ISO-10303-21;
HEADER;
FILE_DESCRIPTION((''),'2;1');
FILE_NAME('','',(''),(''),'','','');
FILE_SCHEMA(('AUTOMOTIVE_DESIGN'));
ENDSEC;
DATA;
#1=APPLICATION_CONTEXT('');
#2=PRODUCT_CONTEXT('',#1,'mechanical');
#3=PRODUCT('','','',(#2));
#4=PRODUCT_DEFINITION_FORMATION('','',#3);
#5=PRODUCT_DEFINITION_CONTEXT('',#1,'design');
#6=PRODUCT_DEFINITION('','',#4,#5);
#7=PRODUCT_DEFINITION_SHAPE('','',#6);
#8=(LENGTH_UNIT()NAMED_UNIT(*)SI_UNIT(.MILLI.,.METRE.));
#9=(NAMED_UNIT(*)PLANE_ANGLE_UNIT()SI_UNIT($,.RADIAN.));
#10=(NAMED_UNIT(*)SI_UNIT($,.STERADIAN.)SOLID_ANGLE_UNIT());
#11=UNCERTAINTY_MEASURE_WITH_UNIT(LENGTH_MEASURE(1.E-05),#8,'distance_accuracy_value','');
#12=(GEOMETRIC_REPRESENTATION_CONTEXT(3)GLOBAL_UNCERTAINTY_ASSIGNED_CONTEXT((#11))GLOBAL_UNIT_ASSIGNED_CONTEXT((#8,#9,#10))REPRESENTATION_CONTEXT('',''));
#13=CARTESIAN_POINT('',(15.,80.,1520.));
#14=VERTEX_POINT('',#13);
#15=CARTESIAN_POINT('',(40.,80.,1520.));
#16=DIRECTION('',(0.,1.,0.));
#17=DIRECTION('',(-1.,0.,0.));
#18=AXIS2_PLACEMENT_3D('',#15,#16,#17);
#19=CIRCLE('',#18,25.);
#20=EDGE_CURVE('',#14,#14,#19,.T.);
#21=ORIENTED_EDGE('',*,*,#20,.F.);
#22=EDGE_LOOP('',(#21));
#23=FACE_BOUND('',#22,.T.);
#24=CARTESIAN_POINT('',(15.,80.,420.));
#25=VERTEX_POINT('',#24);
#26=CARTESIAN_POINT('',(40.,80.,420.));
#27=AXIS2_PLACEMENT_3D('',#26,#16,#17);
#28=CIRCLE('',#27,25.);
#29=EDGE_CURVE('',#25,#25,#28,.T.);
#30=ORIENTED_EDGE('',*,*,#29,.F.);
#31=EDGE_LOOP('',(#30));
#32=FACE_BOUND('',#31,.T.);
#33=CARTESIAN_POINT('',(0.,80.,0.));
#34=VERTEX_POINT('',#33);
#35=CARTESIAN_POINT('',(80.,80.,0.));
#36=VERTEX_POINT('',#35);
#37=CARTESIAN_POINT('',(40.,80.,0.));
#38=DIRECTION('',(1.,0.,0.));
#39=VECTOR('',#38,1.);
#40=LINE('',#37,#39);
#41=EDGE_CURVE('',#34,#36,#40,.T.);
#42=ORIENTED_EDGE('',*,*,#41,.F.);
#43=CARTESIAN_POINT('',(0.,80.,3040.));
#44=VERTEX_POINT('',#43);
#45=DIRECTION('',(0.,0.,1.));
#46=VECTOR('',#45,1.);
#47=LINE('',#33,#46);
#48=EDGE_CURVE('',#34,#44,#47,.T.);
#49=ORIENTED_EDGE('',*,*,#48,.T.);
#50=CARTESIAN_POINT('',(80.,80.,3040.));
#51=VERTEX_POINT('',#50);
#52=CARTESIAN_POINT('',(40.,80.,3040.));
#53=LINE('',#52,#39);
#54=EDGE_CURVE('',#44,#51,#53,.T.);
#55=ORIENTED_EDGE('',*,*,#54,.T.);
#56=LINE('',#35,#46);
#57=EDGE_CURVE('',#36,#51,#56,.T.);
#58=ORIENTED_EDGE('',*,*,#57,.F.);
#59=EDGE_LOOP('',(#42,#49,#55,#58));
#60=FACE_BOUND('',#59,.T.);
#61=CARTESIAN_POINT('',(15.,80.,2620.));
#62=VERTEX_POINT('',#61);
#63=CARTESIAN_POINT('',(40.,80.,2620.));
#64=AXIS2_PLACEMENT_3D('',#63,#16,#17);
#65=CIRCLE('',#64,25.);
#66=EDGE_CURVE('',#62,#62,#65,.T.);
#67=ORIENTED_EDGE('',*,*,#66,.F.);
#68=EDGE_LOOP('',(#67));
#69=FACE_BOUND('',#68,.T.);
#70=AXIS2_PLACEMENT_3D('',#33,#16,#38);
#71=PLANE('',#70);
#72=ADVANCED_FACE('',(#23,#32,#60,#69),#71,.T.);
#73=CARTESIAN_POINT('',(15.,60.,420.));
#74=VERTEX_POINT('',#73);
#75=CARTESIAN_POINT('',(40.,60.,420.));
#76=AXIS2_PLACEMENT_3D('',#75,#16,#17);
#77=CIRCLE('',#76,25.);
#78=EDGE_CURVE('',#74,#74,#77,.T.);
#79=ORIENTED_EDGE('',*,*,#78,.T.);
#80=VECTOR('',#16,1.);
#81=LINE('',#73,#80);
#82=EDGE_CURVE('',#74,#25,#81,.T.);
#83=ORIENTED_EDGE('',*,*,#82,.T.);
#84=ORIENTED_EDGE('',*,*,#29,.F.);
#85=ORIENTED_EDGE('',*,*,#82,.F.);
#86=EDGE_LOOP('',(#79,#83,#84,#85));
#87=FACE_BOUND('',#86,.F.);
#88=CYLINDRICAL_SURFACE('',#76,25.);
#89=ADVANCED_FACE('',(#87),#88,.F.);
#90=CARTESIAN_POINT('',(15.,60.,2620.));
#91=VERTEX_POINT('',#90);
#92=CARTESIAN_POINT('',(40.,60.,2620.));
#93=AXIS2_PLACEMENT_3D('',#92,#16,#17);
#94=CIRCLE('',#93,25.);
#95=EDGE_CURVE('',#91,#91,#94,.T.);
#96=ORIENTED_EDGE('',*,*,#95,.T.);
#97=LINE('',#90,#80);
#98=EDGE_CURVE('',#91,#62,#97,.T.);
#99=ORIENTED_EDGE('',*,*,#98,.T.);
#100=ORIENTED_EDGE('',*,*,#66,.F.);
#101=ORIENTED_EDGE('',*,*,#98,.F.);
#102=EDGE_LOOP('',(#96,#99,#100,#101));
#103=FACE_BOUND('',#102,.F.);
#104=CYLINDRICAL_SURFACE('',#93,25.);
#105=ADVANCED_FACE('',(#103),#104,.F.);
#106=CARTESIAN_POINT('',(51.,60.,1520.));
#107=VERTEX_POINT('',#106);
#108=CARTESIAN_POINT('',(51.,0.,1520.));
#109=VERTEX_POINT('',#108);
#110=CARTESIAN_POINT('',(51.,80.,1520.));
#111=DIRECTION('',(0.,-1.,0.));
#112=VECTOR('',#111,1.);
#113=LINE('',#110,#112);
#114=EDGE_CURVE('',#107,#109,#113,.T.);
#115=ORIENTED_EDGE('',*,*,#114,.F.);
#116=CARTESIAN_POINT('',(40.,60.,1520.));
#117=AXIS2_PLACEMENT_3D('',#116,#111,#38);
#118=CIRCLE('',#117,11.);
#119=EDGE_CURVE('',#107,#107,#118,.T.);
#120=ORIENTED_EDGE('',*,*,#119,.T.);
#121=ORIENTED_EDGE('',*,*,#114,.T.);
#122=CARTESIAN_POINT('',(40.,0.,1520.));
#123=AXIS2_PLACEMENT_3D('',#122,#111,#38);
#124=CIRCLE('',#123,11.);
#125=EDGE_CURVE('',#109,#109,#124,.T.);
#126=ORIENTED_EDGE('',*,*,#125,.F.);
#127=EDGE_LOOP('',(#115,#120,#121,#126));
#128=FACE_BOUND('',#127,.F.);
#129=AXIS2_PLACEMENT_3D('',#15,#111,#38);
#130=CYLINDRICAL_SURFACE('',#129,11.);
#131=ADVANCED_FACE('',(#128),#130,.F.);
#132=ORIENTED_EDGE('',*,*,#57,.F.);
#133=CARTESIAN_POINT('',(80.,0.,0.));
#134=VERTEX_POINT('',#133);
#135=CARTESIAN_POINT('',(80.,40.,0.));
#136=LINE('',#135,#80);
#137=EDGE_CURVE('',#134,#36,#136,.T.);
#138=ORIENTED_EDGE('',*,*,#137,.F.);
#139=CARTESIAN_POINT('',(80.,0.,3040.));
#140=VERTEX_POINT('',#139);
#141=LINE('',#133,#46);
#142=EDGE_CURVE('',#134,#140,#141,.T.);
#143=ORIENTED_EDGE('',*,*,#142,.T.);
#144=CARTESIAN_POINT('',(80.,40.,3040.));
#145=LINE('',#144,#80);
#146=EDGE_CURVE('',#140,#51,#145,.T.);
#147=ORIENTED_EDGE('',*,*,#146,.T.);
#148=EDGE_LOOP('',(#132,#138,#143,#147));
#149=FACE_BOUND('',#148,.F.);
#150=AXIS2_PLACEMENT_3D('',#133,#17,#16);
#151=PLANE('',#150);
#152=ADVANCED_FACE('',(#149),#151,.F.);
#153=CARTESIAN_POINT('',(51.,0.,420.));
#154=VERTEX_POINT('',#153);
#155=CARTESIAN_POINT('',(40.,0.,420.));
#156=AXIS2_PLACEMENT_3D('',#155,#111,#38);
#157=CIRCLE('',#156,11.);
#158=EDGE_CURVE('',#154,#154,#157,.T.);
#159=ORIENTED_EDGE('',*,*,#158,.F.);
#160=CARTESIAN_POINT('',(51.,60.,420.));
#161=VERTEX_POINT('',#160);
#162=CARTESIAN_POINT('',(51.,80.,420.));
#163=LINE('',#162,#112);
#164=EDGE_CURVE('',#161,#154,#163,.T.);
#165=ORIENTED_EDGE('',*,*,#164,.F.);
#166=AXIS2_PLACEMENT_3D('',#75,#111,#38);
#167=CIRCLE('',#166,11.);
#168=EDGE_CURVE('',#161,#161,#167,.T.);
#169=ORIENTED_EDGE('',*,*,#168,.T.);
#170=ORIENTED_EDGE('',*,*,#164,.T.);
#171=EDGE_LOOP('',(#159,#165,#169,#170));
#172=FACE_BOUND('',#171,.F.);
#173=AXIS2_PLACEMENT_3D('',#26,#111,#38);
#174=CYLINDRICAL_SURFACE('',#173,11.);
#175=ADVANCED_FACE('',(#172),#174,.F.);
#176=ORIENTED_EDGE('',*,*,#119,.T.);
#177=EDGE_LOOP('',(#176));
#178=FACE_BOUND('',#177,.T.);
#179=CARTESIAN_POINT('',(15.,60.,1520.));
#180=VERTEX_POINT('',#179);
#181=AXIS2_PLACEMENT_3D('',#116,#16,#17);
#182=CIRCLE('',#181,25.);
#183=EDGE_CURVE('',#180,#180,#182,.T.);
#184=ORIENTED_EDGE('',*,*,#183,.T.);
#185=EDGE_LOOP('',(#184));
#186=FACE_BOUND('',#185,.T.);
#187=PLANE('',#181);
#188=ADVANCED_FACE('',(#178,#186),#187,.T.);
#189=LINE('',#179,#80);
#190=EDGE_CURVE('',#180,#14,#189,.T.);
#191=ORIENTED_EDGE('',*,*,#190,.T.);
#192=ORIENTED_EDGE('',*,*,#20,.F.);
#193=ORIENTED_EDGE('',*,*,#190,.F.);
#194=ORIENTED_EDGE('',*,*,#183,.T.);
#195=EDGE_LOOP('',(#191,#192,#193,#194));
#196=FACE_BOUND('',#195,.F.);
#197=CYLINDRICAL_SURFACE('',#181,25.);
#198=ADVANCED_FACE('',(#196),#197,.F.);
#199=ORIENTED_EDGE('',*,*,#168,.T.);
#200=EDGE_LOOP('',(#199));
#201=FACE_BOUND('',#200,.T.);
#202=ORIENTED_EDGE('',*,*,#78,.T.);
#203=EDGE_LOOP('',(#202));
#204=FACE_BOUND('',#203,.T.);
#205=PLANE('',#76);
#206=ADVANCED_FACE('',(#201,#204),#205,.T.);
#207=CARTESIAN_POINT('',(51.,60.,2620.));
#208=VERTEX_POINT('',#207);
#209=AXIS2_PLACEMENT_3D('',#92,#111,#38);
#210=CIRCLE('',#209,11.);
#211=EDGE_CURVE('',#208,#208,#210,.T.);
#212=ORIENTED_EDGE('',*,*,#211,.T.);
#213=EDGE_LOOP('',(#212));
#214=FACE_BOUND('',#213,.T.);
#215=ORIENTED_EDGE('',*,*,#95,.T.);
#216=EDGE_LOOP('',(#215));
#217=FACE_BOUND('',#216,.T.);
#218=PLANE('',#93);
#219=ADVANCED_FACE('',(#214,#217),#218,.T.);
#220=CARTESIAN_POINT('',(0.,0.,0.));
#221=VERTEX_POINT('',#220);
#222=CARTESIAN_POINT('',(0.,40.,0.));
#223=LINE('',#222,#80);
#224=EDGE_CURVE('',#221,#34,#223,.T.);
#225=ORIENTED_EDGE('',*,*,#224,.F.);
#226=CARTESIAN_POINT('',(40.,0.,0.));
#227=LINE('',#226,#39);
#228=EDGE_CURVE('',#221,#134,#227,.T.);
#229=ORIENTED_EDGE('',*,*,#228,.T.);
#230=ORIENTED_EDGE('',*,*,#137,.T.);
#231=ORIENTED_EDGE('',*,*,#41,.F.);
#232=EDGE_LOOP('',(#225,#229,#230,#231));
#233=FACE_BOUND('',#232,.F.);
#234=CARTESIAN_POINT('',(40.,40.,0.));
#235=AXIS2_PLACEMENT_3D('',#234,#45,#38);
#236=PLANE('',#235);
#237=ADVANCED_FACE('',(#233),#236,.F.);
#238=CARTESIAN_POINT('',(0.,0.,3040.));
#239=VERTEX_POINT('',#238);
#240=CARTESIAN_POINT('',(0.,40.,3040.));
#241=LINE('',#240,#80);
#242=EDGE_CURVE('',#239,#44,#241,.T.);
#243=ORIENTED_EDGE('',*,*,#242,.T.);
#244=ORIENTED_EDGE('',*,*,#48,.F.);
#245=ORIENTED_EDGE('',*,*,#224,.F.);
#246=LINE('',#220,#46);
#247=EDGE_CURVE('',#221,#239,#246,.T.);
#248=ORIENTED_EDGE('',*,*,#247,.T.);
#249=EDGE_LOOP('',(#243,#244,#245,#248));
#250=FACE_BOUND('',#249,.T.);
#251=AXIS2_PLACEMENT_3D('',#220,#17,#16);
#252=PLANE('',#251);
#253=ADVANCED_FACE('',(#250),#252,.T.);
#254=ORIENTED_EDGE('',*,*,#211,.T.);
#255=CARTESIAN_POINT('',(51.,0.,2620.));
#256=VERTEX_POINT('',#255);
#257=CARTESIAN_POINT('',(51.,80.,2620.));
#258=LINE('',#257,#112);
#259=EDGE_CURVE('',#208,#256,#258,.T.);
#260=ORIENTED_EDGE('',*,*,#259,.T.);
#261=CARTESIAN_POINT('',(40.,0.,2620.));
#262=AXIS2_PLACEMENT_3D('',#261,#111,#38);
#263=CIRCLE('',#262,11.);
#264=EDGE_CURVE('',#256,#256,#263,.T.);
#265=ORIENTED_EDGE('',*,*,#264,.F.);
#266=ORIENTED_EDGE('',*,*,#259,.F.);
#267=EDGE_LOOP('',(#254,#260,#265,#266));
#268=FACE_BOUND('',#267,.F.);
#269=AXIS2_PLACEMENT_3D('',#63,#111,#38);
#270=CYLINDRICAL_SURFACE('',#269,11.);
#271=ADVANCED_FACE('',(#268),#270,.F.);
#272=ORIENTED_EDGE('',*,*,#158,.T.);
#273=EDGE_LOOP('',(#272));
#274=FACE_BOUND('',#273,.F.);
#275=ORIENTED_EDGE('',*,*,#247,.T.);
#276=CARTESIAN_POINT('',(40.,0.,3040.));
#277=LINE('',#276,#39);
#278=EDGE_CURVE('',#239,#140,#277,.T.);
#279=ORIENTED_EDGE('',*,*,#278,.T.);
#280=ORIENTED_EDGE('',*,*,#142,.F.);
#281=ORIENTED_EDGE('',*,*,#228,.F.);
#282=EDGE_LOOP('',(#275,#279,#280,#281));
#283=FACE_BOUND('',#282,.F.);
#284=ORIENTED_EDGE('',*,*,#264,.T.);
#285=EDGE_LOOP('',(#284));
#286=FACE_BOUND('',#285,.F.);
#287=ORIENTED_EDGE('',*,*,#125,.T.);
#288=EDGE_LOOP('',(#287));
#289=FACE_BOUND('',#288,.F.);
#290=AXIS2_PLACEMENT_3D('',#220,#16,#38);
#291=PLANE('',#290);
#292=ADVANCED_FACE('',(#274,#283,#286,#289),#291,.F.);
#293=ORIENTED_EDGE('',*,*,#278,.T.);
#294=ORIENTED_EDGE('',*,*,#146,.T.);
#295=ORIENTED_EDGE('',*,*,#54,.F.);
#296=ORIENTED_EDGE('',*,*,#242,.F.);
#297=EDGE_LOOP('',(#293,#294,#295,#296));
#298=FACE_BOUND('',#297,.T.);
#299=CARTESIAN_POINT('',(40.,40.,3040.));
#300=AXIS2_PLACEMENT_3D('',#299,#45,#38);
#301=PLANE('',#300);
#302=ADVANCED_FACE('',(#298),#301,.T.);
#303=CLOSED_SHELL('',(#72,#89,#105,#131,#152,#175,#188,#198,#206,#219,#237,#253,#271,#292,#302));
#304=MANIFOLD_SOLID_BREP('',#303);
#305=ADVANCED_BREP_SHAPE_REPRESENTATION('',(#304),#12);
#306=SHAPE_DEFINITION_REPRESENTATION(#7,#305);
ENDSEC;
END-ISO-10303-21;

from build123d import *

# Parameters (mm, degrees)
F0_W           = 80
F0_H           = 80
F1_DEPTH       = 3040
F3_D           = 22
F3_DEPTH       = 100
F3_CBORE_D     = 50
F3_CBORE_DEPTH = 20


with BuildPart() as f1:
    # F0 (on Top) → F1 (new body)
    with BuildSketch(Plane.XY):
        with Locations((40, 40)):
            Rectangle(F0_W, F0_H)
    extrude(amount=F1_DEPTH)

    # F3
    with Locations(Plane(origin=(0, 80, 0), x_dir=(-1, 0, 0), z_dir=(0, 1, 0))):
        with Locations((-40, 2620), (-40, 420), (-40, 1520)):
            CounterBoreHole(F3_D / 2, F3_CBORE_D / 2, F3_CBORE_DEPTH, depth=F3_DEPTH)


solid = f1.part
